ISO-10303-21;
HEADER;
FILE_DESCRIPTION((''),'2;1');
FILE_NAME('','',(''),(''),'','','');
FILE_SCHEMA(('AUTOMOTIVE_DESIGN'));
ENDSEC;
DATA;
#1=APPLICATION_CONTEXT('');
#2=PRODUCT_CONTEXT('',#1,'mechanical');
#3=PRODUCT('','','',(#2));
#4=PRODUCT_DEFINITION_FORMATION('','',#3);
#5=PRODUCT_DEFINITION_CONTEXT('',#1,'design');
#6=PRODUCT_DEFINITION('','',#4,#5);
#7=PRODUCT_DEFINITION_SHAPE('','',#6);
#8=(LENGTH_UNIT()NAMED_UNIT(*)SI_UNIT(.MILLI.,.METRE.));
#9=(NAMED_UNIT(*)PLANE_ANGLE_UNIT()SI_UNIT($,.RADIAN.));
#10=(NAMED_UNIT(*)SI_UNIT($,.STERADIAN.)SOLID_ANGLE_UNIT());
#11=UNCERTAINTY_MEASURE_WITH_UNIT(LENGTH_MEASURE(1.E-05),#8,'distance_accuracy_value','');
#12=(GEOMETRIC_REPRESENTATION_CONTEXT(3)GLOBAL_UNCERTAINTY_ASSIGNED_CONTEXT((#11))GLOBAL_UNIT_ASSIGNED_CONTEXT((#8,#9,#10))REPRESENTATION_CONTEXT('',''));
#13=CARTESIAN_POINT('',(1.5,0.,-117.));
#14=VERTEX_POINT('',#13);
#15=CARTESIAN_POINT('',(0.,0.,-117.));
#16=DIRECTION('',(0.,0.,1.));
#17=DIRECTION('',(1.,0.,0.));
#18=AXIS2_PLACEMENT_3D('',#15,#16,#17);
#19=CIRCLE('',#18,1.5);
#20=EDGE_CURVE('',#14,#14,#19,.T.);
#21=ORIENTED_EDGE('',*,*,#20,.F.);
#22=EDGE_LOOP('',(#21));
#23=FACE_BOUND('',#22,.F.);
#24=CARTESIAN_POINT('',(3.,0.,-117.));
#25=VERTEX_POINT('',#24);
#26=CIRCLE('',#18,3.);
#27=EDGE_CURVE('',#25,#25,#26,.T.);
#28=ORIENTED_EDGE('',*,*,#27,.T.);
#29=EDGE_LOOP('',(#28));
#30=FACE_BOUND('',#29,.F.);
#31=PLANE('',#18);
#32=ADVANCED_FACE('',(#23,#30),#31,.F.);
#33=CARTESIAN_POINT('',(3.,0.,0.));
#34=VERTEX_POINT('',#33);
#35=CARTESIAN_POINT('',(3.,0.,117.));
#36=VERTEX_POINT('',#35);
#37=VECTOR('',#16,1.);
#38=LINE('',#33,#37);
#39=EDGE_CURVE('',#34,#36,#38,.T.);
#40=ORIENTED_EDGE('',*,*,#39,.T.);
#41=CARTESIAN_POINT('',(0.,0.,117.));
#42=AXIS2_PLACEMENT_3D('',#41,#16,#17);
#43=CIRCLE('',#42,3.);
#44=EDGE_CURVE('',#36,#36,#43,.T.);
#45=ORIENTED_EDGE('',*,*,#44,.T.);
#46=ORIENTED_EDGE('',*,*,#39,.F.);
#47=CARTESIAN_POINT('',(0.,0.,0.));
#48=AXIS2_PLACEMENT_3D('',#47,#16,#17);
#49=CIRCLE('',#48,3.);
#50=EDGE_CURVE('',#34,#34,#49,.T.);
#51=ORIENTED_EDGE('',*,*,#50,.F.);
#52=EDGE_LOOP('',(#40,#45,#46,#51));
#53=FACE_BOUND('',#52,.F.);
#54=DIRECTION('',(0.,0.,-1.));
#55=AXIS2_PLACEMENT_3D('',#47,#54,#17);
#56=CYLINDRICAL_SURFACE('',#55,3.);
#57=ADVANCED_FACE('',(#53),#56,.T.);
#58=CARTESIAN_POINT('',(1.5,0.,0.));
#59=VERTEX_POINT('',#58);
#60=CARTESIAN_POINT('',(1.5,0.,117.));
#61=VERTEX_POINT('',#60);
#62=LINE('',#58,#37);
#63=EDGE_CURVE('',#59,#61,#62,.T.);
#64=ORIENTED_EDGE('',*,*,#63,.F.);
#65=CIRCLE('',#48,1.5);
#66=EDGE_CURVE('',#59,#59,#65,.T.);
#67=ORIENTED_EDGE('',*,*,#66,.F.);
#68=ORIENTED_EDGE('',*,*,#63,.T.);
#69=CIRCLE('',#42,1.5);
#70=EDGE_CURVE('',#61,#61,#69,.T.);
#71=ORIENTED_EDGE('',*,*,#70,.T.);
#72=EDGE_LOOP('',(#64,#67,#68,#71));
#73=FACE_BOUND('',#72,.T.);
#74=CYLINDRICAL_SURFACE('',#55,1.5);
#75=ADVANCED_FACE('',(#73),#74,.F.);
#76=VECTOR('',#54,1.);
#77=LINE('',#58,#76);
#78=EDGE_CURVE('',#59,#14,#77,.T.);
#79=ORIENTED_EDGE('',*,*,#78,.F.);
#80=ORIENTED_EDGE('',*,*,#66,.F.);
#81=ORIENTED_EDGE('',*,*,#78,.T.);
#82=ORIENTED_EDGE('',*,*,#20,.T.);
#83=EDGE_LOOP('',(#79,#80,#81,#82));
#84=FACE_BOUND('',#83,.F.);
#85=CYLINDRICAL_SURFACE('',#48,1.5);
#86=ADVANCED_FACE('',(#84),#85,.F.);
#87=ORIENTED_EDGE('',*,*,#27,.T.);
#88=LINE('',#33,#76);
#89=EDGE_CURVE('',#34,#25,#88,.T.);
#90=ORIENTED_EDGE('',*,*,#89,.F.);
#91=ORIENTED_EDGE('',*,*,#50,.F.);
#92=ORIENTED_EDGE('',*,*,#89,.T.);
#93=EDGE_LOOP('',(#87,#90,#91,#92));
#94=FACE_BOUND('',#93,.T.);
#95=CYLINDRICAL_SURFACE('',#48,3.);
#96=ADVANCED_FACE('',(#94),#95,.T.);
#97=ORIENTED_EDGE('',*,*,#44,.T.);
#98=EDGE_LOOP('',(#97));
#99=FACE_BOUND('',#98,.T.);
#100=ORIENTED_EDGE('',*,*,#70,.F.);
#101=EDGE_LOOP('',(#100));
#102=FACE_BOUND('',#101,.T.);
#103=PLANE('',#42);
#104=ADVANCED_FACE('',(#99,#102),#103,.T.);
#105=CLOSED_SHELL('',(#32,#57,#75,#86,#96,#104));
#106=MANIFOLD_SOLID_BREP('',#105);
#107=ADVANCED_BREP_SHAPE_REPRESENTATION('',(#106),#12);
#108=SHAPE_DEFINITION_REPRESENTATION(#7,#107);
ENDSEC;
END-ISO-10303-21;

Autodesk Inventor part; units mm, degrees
ref_plane "YZ Plane" through (0, 0, 0) normal (1, 0, 0) x (0, 1, 0)
ref_plane "XZ Plane" through (0, 0, 0) normal (0, 1, 0) x (-1, 0, 0)
ref_plane "XY Plane" through (0, 0, 0) normal (0, 0, 1) x (1, 0, 0)
sketch "Esquisse1" plane through (0, 0, 0) normal (0, 0, 1) x (1, 0, 0)
  circle A0 centre (0, 0) radius 1.5
  circle A1 centre (0, 0) radius 3
  dimension "d0" = 3
  dimension "d1" = 6
extrude "Extrusion1" add sketch "Esquisse1" along normal mid plane 234
properties part number "Bras" material "Carbonne"
